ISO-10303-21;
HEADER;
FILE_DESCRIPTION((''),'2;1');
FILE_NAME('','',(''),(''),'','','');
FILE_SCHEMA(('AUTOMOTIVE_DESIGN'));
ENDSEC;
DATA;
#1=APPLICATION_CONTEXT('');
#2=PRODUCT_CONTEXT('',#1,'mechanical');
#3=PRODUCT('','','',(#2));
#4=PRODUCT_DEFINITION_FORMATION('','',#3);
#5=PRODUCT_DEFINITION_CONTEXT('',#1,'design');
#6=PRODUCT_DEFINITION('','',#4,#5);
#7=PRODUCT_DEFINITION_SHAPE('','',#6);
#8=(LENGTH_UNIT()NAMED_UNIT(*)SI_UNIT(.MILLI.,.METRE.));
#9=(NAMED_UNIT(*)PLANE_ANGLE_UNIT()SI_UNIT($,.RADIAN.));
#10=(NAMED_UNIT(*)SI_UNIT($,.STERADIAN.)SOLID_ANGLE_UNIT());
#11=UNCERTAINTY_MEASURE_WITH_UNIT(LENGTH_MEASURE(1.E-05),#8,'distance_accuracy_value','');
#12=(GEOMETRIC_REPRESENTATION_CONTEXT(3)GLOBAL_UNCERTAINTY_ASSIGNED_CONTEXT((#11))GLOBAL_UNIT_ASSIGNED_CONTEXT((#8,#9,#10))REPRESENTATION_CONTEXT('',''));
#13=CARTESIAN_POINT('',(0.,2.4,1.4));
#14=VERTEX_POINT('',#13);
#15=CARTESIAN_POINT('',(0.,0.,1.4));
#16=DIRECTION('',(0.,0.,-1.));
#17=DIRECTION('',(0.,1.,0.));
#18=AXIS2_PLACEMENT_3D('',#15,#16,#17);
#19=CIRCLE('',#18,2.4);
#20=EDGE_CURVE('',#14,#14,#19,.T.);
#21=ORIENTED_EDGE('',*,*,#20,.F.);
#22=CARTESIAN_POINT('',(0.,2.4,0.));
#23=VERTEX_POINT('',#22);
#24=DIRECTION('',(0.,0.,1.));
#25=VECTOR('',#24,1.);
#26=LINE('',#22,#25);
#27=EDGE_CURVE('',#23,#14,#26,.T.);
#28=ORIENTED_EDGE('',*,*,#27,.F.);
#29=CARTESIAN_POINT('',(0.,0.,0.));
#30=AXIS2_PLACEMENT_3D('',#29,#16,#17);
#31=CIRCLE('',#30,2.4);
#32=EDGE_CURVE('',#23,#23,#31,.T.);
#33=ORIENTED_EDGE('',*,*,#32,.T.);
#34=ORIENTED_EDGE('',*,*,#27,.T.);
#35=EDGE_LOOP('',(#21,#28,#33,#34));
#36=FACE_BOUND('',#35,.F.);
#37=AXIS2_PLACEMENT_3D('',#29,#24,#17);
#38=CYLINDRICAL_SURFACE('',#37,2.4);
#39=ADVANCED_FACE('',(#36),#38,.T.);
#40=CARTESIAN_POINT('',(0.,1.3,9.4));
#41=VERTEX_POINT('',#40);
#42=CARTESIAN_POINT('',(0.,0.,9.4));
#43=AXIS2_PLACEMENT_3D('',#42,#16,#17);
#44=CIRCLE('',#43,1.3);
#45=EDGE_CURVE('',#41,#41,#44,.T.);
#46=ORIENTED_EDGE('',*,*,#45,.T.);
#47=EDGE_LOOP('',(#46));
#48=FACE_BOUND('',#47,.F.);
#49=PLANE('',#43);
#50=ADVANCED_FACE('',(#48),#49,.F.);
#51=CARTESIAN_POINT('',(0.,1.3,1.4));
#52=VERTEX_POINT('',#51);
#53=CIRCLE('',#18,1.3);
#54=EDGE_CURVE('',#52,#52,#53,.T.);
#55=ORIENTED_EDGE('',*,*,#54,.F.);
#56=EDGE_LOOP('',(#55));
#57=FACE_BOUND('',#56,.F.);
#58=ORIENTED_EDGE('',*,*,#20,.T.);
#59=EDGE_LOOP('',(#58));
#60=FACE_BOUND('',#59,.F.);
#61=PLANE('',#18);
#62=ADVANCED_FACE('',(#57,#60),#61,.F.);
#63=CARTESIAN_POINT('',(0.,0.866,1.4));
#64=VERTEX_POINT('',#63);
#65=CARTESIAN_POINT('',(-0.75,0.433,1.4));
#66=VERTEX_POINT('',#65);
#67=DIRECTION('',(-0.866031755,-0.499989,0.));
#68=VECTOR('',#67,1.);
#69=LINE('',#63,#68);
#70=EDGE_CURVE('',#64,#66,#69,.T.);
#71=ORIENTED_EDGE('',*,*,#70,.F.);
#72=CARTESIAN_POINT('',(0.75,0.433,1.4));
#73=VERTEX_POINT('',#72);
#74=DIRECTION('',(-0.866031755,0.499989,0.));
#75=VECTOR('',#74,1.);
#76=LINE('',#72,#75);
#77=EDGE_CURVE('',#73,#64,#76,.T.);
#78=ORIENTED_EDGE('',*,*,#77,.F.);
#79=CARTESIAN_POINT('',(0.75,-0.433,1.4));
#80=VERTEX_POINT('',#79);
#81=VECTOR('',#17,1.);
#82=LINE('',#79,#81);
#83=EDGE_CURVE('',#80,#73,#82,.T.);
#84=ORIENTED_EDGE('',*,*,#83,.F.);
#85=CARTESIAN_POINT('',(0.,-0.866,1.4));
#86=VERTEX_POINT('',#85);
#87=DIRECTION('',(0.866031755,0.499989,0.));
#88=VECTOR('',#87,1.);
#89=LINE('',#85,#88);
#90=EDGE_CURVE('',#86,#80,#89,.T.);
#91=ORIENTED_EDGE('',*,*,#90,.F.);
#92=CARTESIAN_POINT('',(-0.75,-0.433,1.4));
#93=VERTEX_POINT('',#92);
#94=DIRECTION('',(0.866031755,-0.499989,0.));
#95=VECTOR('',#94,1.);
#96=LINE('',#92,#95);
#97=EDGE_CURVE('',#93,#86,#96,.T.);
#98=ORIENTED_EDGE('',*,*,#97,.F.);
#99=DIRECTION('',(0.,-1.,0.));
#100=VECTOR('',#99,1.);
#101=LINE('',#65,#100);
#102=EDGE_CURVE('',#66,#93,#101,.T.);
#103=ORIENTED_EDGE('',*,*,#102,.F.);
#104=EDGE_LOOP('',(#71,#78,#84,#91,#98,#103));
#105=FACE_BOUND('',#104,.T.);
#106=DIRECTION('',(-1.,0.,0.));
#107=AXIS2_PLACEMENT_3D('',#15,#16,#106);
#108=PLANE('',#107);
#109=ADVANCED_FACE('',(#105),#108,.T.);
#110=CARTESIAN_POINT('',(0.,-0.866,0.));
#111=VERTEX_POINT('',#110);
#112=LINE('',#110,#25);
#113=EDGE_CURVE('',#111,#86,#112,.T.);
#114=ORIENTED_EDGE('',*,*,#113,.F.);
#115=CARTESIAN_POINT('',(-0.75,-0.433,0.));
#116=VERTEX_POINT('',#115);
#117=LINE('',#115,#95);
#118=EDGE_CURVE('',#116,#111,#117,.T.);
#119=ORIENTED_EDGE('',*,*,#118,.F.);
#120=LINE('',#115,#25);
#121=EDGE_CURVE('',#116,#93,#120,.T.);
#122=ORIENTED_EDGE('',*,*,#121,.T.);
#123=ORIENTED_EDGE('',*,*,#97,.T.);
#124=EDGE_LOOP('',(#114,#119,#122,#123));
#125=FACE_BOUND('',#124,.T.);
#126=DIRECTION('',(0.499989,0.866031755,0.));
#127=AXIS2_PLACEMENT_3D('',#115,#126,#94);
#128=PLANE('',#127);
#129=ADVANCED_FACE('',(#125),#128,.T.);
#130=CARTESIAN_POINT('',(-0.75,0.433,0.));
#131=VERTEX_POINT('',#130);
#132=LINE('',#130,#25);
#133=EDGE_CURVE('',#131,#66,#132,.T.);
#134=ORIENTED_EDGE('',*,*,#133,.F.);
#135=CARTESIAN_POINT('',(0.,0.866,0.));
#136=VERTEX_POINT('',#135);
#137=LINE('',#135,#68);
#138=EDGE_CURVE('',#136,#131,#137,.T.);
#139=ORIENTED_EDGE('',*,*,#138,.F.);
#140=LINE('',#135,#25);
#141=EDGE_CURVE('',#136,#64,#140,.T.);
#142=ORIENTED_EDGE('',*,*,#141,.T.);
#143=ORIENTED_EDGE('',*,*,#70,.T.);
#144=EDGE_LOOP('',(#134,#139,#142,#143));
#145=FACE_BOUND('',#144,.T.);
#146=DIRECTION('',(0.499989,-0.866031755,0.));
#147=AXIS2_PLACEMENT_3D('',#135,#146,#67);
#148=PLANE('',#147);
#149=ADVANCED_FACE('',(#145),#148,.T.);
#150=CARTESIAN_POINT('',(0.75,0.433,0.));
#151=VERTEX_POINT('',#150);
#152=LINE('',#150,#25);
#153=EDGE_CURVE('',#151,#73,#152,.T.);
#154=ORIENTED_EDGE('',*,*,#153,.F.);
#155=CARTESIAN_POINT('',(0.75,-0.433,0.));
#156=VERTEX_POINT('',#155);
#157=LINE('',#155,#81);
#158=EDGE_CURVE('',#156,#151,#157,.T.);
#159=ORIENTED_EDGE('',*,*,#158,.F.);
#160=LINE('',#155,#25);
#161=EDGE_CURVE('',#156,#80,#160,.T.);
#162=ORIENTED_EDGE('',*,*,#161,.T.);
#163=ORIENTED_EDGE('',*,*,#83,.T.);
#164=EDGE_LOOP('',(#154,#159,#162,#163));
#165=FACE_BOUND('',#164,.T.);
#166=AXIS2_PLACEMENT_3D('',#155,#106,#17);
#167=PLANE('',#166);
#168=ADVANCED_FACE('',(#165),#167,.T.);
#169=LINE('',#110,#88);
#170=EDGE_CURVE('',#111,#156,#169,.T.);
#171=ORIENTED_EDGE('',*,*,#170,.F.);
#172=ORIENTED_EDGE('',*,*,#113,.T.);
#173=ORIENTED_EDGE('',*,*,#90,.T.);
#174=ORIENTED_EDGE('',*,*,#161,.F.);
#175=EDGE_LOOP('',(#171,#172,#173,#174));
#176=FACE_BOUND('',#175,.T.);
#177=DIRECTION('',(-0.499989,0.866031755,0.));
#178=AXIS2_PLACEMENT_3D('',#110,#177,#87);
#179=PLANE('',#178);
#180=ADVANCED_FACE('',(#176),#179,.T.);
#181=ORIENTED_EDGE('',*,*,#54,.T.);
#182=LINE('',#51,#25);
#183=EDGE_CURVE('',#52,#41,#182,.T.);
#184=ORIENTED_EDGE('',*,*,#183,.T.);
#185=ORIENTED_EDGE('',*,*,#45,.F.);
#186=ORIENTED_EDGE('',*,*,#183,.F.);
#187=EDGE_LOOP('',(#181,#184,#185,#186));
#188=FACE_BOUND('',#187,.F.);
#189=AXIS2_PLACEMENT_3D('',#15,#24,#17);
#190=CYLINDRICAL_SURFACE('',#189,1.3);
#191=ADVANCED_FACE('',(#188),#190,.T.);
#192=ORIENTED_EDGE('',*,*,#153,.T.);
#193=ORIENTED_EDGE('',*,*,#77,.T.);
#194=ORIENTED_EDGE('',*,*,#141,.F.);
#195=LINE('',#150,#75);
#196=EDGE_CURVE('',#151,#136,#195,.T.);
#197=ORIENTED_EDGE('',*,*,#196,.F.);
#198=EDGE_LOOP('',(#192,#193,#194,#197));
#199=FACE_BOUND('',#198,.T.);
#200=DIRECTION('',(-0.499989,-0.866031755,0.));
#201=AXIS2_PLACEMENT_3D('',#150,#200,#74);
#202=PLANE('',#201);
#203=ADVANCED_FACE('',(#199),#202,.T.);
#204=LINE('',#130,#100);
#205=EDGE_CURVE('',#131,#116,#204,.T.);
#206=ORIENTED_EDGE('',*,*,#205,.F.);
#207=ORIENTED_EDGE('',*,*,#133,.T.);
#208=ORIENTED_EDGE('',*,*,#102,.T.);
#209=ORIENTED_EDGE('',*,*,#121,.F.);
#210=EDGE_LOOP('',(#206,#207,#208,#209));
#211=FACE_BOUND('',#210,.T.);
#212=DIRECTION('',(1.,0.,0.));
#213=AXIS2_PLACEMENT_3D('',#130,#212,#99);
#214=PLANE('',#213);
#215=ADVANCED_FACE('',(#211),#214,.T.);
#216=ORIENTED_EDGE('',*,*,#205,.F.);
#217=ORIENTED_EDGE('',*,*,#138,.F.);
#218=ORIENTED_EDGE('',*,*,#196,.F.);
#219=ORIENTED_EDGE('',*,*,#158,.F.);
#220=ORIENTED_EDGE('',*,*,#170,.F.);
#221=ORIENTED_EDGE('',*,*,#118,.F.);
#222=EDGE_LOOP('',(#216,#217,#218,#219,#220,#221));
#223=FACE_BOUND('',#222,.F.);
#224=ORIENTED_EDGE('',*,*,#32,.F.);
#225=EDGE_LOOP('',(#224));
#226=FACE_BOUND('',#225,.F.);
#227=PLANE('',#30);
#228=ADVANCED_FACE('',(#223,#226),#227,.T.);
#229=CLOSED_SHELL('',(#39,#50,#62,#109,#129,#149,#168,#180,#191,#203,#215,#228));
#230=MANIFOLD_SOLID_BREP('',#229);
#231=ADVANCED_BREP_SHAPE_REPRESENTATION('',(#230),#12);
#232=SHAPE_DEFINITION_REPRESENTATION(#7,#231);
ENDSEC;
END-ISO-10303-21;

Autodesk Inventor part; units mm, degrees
ref_plane "YZ Plane" through (0, 0, 0) normal (1, 0, 0) x (0, 1, 0)
ref_plane "XZ Plane" through (0, 0, 0) normal (0, 1, 0) x (-1, 0, 0)
ref_plane "XY Plane" through (0, 0, 0) normal (0, 0, 1) x (1, 0, 0)
sketch "スケッチ1" plane through (0, 0, 0) normal (1, 0, 0) x (0, 1, 0)
  line L0 (0, 9.4) -> (0, 0)
  line L1 (0, 0) -> (2.4, 0)
  line L2 (2.4, 0) -> (2.4, 1.4)
  line L3 (2.4, 1.4) -> (1.3, 1.4)
  line L4 (1.3, 1.4) -> (1.3, 9.4)
  line L5 (1.3, 9.4) -> (0, 9.4)
  dimension "d1" = 1.3
  dimension "d2" = 1.4
  dimension "d3" = 2.4
  dimension "d10" = 8
revolve "回転1" add sketch "スケッチ1" angle 360 about axis through (0, 0, 9.4) along (0, 0, -1)
thread "ねじ1" size "M2.6x0.45" class "6g" standard "ANSI Metric M Profile" full length
sketch "スケッチ2" plane through (0, 0, 0) normal (0, 0, -1) x (-1, 0, 0)
  line L0 (0, 0.866) -> (0.75, 0.433)
  line L1 (0.75, 0.433) -> (0.75, -0.433)
  line L2 (0.75, -0.433) -> (0, -0.866)
  line L3 (0, -0.866) -> (-0.75, -0.433)
  line L4 (-0.75, -0.433) -> (-0.75, 0.433)
  line L5 (-0.75, 0.433) -> (0, 0.866)
  circle A0 centre (0, 0) radius 2.4 projected
  line L6 (0, 2.4) -> (0, -2.4) construction
  dimension "d7" = 1.5
extrude "押し出し1" cut sketch "スケッチ2" against normal blind 1.4 contours L0 L1 L2 L3 L4 L5
properties part number "M2_6-8" material "ステンレス鋼 AISI 304"
